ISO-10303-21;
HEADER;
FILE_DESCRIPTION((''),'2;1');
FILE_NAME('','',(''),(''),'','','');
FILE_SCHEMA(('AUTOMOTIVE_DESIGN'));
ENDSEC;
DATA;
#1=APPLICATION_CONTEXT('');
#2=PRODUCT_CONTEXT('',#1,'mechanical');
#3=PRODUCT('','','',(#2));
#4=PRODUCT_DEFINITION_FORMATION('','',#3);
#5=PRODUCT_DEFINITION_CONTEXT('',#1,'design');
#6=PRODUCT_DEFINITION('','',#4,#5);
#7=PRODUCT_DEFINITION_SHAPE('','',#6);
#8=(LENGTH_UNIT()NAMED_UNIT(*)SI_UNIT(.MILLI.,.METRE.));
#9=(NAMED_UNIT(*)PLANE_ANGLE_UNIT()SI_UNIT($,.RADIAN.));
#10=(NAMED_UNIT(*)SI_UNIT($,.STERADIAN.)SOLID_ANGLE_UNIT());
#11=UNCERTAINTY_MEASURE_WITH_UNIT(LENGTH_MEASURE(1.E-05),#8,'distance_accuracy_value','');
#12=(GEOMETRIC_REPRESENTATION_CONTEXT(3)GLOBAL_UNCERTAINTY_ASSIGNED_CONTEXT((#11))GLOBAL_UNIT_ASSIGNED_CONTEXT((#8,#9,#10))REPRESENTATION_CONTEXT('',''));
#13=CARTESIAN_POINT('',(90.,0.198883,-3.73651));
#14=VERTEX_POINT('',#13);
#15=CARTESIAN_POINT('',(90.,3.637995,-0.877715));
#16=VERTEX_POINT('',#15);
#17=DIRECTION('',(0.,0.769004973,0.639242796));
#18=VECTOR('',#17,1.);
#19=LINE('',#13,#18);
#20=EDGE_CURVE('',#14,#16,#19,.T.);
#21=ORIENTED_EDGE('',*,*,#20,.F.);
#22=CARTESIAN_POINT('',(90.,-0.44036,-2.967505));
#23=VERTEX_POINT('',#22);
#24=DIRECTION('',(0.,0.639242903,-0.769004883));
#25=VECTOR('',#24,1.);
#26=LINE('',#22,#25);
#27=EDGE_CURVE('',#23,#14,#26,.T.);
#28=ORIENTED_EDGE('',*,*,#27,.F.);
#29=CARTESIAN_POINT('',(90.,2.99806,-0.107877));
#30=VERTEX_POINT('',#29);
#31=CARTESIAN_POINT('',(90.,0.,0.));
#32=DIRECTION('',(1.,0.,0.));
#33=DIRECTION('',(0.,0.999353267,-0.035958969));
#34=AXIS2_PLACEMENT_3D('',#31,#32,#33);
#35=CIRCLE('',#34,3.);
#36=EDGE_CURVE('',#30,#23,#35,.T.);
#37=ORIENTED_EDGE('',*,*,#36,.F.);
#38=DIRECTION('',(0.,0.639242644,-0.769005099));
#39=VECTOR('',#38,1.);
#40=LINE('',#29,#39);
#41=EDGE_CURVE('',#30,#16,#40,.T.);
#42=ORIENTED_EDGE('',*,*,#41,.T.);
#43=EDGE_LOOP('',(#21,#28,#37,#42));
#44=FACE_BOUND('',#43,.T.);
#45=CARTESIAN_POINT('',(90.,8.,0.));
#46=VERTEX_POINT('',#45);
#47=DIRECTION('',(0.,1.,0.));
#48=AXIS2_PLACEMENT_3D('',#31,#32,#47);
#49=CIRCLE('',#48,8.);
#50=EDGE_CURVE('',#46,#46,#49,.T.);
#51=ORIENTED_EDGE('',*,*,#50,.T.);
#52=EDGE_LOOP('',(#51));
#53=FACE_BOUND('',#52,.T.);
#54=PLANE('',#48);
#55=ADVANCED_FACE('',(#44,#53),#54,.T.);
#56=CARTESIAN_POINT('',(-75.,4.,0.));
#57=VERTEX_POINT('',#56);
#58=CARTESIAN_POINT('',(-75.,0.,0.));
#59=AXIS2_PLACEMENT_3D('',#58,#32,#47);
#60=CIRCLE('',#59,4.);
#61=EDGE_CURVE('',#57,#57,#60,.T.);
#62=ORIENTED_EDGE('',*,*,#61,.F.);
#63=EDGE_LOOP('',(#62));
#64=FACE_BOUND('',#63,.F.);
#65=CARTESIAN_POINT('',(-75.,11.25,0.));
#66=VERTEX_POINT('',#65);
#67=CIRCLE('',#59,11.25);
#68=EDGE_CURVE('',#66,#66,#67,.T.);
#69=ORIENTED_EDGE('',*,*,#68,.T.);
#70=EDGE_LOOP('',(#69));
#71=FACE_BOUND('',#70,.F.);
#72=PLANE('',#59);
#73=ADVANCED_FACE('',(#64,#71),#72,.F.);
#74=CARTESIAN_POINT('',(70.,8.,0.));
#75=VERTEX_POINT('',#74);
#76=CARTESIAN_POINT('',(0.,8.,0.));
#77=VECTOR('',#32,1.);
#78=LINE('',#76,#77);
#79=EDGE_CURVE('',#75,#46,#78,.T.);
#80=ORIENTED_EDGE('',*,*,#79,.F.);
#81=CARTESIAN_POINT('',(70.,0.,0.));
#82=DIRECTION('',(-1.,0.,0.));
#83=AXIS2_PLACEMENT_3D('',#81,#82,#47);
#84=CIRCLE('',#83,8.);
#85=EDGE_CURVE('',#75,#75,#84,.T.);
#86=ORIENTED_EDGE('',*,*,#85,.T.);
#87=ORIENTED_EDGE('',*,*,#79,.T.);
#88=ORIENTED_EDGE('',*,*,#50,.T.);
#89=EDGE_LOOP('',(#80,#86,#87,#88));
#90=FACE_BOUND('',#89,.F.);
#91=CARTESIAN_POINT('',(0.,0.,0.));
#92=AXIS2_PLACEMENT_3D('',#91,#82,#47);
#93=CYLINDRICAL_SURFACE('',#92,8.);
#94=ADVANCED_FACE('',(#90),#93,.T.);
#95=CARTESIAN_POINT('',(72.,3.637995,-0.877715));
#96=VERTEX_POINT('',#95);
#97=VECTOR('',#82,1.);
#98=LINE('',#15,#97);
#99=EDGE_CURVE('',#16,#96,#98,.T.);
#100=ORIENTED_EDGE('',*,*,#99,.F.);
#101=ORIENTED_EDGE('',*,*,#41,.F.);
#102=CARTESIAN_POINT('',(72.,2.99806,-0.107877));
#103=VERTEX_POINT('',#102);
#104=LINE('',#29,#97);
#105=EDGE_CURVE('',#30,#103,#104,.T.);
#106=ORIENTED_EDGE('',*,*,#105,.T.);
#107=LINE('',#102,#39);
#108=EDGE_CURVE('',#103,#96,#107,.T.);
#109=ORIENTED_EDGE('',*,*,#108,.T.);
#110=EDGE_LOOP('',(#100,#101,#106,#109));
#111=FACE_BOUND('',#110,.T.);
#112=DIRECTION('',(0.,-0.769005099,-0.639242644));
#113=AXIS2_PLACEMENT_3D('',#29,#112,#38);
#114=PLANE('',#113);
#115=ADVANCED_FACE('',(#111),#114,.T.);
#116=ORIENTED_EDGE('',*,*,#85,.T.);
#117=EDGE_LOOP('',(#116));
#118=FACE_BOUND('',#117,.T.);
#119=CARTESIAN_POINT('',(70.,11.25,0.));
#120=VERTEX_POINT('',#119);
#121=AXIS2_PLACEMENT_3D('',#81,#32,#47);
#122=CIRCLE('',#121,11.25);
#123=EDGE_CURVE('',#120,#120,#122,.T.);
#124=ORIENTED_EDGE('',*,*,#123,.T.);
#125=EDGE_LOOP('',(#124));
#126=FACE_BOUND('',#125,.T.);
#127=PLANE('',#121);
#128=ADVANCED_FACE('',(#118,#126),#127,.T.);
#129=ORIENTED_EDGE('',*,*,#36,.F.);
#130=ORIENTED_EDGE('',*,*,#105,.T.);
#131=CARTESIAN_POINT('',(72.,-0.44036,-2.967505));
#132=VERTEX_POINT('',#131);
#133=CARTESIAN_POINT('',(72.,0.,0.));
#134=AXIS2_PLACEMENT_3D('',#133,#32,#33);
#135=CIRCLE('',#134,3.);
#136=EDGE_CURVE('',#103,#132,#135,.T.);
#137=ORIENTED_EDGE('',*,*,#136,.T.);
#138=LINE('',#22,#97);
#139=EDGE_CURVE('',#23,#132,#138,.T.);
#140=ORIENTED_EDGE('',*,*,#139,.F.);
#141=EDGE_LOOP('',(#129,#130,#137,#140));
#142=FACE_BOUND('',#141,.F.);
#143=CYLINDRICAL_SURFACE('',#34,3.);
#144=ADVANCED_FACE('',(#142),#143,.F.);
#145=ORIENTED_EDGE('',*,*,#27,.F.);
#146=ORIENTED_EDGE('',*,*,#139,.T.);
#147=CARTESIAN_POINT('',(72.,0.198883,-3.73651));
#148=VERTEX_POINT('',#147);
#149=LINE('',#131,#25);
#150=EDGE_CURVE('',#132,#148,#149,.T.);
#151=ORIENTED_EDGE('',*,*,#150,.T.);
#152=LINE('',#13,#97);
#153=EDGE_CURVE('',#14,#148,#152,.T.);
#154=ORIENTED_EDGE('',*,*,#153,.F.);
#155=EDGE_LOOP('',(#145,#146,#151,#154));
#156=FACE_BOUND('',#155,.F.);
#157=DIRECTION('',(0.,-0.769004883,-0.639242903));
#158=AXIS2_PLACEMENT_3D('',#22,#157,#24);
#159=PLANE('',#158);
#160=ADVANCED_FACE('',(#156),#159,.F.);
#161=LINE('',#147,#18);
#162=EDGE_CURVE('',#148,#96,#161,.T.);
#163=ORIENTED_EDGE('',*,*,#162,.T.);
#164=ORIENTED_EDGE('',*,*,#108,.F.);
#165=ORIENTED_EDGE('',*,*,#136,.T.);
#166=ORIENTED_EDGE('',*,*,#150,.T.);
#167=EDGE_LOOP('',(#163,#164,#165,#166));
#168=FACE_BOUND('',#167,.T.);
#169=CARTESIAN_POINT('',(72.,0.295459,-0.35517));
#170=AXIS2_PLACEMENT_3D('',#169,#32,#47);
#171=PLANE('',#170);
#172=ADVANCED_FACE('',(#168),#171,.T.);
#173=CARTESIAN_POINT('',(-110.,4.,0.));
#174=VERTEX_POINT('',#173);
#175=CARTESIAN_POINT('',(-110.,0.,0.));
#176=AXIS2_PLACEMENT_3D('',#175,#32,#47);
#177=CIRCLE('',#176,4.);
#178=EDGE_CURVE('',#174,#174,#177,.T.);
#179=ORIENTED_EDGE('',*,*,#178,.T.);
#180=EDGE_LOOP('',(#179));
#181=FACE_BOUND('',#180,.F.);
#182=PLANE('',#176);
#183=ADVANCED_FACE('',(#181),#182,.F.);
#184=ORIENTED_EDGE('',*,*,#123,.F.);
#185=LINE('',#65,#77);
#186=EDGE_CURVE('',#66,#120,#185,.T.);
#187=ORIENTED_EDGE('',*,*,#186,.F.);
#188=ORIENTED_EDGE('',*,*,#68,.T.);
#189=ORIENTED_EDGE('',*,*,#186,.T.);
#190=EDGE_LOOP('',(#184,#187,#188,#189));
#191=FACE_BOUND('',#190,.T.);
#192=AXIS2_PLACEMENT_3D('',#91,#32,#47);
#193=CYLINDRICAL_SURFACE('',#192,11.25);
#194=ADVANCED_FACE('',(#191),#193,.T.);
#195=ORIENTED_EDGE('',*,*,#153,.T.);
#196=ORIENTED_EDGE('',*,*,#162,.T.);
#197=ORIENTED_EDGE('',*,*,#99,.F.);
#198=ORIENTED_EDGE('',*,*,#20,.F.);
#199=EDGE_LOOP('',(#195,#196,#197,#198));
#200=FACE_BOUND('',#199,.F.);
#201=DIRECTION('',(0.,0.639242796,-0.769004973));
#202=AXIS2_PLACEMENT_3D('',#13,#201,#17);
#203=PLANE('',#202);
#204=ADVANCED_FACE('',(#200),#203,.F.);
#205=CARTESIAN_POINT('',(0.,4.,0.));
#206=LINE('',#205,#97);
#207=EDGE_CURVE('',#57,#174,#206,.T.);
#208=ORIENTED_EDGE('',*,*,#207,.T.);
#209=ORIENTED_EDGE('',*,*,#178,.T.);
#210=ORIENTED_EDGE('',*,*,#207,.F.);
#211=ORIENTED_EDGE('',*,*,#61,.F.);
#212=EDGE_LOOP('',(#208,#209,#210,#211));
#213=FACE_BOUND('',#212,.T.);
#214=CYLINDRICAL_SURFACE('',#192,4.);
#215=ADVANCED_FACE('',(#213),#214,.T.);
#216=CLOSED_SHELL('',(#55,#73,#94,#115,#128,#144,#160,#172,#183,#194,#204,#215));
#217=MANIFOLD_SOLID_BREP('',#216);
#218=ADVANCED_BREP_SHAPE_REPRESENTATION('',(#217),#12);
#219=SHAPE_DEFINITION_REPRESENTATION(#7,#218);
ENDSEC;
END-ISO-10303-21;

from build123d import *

# Parameters (mm, degrees)
SKETCH_R          = 4
PAD_DEPTH         = 110
SKETCH001_R       = 11.25
PAD001_DEPTH      = 70
PAD001_DEPTH_BACK = 75
SKETCH003_R       = 8
PAD002_DEPTH      = 90
POCKET_DEPTH      = 18


with BuildPart() as part:
    # Sketch → Pad (new body)
    with BuildSketch(Plane.YZ):
        Circle(SKETCH_R)
    extrude(amount=-PAD_DEPTH)

    # Sketch001 → Pad001 (join, two sides)
    with BuildSketch(Plane.YZ) as pad001_sk:
        Circle(SKETCH001_R)
    extrude(amount=PAD001_DEPTH)
    extrude(pad001_sk.sketch, amount=-PAD001_DEPTH_BACK)

    # Sketch003 → Pad002 (join)
    with BuildSketch(Plane.YZ):
        Circle(SKETCH003_R)
    extrude(amount=PAD002_DEPTH)

    # Sketch002 → Pocket (cut)
    with BuildSketch(Plane.YZ.offset(90)):
        with BuildLine():
            ThreePointArc((2.99806, -0.107877), (-1.918287, 2.306551), (-0.44036, -2.967505))
            Line((-0.44036, -2.967505), (0.198883, -3.73651))
            Line((0.198883, -3.73651), (3.637995, -0.877715))
            Line((2.99806, -0.107877), (3.637995, -0.877715))
        make_face()
    extrude(amount=-POCKET_DEPTH, mode=Mode.SUBTRACT)


solid = part.part
